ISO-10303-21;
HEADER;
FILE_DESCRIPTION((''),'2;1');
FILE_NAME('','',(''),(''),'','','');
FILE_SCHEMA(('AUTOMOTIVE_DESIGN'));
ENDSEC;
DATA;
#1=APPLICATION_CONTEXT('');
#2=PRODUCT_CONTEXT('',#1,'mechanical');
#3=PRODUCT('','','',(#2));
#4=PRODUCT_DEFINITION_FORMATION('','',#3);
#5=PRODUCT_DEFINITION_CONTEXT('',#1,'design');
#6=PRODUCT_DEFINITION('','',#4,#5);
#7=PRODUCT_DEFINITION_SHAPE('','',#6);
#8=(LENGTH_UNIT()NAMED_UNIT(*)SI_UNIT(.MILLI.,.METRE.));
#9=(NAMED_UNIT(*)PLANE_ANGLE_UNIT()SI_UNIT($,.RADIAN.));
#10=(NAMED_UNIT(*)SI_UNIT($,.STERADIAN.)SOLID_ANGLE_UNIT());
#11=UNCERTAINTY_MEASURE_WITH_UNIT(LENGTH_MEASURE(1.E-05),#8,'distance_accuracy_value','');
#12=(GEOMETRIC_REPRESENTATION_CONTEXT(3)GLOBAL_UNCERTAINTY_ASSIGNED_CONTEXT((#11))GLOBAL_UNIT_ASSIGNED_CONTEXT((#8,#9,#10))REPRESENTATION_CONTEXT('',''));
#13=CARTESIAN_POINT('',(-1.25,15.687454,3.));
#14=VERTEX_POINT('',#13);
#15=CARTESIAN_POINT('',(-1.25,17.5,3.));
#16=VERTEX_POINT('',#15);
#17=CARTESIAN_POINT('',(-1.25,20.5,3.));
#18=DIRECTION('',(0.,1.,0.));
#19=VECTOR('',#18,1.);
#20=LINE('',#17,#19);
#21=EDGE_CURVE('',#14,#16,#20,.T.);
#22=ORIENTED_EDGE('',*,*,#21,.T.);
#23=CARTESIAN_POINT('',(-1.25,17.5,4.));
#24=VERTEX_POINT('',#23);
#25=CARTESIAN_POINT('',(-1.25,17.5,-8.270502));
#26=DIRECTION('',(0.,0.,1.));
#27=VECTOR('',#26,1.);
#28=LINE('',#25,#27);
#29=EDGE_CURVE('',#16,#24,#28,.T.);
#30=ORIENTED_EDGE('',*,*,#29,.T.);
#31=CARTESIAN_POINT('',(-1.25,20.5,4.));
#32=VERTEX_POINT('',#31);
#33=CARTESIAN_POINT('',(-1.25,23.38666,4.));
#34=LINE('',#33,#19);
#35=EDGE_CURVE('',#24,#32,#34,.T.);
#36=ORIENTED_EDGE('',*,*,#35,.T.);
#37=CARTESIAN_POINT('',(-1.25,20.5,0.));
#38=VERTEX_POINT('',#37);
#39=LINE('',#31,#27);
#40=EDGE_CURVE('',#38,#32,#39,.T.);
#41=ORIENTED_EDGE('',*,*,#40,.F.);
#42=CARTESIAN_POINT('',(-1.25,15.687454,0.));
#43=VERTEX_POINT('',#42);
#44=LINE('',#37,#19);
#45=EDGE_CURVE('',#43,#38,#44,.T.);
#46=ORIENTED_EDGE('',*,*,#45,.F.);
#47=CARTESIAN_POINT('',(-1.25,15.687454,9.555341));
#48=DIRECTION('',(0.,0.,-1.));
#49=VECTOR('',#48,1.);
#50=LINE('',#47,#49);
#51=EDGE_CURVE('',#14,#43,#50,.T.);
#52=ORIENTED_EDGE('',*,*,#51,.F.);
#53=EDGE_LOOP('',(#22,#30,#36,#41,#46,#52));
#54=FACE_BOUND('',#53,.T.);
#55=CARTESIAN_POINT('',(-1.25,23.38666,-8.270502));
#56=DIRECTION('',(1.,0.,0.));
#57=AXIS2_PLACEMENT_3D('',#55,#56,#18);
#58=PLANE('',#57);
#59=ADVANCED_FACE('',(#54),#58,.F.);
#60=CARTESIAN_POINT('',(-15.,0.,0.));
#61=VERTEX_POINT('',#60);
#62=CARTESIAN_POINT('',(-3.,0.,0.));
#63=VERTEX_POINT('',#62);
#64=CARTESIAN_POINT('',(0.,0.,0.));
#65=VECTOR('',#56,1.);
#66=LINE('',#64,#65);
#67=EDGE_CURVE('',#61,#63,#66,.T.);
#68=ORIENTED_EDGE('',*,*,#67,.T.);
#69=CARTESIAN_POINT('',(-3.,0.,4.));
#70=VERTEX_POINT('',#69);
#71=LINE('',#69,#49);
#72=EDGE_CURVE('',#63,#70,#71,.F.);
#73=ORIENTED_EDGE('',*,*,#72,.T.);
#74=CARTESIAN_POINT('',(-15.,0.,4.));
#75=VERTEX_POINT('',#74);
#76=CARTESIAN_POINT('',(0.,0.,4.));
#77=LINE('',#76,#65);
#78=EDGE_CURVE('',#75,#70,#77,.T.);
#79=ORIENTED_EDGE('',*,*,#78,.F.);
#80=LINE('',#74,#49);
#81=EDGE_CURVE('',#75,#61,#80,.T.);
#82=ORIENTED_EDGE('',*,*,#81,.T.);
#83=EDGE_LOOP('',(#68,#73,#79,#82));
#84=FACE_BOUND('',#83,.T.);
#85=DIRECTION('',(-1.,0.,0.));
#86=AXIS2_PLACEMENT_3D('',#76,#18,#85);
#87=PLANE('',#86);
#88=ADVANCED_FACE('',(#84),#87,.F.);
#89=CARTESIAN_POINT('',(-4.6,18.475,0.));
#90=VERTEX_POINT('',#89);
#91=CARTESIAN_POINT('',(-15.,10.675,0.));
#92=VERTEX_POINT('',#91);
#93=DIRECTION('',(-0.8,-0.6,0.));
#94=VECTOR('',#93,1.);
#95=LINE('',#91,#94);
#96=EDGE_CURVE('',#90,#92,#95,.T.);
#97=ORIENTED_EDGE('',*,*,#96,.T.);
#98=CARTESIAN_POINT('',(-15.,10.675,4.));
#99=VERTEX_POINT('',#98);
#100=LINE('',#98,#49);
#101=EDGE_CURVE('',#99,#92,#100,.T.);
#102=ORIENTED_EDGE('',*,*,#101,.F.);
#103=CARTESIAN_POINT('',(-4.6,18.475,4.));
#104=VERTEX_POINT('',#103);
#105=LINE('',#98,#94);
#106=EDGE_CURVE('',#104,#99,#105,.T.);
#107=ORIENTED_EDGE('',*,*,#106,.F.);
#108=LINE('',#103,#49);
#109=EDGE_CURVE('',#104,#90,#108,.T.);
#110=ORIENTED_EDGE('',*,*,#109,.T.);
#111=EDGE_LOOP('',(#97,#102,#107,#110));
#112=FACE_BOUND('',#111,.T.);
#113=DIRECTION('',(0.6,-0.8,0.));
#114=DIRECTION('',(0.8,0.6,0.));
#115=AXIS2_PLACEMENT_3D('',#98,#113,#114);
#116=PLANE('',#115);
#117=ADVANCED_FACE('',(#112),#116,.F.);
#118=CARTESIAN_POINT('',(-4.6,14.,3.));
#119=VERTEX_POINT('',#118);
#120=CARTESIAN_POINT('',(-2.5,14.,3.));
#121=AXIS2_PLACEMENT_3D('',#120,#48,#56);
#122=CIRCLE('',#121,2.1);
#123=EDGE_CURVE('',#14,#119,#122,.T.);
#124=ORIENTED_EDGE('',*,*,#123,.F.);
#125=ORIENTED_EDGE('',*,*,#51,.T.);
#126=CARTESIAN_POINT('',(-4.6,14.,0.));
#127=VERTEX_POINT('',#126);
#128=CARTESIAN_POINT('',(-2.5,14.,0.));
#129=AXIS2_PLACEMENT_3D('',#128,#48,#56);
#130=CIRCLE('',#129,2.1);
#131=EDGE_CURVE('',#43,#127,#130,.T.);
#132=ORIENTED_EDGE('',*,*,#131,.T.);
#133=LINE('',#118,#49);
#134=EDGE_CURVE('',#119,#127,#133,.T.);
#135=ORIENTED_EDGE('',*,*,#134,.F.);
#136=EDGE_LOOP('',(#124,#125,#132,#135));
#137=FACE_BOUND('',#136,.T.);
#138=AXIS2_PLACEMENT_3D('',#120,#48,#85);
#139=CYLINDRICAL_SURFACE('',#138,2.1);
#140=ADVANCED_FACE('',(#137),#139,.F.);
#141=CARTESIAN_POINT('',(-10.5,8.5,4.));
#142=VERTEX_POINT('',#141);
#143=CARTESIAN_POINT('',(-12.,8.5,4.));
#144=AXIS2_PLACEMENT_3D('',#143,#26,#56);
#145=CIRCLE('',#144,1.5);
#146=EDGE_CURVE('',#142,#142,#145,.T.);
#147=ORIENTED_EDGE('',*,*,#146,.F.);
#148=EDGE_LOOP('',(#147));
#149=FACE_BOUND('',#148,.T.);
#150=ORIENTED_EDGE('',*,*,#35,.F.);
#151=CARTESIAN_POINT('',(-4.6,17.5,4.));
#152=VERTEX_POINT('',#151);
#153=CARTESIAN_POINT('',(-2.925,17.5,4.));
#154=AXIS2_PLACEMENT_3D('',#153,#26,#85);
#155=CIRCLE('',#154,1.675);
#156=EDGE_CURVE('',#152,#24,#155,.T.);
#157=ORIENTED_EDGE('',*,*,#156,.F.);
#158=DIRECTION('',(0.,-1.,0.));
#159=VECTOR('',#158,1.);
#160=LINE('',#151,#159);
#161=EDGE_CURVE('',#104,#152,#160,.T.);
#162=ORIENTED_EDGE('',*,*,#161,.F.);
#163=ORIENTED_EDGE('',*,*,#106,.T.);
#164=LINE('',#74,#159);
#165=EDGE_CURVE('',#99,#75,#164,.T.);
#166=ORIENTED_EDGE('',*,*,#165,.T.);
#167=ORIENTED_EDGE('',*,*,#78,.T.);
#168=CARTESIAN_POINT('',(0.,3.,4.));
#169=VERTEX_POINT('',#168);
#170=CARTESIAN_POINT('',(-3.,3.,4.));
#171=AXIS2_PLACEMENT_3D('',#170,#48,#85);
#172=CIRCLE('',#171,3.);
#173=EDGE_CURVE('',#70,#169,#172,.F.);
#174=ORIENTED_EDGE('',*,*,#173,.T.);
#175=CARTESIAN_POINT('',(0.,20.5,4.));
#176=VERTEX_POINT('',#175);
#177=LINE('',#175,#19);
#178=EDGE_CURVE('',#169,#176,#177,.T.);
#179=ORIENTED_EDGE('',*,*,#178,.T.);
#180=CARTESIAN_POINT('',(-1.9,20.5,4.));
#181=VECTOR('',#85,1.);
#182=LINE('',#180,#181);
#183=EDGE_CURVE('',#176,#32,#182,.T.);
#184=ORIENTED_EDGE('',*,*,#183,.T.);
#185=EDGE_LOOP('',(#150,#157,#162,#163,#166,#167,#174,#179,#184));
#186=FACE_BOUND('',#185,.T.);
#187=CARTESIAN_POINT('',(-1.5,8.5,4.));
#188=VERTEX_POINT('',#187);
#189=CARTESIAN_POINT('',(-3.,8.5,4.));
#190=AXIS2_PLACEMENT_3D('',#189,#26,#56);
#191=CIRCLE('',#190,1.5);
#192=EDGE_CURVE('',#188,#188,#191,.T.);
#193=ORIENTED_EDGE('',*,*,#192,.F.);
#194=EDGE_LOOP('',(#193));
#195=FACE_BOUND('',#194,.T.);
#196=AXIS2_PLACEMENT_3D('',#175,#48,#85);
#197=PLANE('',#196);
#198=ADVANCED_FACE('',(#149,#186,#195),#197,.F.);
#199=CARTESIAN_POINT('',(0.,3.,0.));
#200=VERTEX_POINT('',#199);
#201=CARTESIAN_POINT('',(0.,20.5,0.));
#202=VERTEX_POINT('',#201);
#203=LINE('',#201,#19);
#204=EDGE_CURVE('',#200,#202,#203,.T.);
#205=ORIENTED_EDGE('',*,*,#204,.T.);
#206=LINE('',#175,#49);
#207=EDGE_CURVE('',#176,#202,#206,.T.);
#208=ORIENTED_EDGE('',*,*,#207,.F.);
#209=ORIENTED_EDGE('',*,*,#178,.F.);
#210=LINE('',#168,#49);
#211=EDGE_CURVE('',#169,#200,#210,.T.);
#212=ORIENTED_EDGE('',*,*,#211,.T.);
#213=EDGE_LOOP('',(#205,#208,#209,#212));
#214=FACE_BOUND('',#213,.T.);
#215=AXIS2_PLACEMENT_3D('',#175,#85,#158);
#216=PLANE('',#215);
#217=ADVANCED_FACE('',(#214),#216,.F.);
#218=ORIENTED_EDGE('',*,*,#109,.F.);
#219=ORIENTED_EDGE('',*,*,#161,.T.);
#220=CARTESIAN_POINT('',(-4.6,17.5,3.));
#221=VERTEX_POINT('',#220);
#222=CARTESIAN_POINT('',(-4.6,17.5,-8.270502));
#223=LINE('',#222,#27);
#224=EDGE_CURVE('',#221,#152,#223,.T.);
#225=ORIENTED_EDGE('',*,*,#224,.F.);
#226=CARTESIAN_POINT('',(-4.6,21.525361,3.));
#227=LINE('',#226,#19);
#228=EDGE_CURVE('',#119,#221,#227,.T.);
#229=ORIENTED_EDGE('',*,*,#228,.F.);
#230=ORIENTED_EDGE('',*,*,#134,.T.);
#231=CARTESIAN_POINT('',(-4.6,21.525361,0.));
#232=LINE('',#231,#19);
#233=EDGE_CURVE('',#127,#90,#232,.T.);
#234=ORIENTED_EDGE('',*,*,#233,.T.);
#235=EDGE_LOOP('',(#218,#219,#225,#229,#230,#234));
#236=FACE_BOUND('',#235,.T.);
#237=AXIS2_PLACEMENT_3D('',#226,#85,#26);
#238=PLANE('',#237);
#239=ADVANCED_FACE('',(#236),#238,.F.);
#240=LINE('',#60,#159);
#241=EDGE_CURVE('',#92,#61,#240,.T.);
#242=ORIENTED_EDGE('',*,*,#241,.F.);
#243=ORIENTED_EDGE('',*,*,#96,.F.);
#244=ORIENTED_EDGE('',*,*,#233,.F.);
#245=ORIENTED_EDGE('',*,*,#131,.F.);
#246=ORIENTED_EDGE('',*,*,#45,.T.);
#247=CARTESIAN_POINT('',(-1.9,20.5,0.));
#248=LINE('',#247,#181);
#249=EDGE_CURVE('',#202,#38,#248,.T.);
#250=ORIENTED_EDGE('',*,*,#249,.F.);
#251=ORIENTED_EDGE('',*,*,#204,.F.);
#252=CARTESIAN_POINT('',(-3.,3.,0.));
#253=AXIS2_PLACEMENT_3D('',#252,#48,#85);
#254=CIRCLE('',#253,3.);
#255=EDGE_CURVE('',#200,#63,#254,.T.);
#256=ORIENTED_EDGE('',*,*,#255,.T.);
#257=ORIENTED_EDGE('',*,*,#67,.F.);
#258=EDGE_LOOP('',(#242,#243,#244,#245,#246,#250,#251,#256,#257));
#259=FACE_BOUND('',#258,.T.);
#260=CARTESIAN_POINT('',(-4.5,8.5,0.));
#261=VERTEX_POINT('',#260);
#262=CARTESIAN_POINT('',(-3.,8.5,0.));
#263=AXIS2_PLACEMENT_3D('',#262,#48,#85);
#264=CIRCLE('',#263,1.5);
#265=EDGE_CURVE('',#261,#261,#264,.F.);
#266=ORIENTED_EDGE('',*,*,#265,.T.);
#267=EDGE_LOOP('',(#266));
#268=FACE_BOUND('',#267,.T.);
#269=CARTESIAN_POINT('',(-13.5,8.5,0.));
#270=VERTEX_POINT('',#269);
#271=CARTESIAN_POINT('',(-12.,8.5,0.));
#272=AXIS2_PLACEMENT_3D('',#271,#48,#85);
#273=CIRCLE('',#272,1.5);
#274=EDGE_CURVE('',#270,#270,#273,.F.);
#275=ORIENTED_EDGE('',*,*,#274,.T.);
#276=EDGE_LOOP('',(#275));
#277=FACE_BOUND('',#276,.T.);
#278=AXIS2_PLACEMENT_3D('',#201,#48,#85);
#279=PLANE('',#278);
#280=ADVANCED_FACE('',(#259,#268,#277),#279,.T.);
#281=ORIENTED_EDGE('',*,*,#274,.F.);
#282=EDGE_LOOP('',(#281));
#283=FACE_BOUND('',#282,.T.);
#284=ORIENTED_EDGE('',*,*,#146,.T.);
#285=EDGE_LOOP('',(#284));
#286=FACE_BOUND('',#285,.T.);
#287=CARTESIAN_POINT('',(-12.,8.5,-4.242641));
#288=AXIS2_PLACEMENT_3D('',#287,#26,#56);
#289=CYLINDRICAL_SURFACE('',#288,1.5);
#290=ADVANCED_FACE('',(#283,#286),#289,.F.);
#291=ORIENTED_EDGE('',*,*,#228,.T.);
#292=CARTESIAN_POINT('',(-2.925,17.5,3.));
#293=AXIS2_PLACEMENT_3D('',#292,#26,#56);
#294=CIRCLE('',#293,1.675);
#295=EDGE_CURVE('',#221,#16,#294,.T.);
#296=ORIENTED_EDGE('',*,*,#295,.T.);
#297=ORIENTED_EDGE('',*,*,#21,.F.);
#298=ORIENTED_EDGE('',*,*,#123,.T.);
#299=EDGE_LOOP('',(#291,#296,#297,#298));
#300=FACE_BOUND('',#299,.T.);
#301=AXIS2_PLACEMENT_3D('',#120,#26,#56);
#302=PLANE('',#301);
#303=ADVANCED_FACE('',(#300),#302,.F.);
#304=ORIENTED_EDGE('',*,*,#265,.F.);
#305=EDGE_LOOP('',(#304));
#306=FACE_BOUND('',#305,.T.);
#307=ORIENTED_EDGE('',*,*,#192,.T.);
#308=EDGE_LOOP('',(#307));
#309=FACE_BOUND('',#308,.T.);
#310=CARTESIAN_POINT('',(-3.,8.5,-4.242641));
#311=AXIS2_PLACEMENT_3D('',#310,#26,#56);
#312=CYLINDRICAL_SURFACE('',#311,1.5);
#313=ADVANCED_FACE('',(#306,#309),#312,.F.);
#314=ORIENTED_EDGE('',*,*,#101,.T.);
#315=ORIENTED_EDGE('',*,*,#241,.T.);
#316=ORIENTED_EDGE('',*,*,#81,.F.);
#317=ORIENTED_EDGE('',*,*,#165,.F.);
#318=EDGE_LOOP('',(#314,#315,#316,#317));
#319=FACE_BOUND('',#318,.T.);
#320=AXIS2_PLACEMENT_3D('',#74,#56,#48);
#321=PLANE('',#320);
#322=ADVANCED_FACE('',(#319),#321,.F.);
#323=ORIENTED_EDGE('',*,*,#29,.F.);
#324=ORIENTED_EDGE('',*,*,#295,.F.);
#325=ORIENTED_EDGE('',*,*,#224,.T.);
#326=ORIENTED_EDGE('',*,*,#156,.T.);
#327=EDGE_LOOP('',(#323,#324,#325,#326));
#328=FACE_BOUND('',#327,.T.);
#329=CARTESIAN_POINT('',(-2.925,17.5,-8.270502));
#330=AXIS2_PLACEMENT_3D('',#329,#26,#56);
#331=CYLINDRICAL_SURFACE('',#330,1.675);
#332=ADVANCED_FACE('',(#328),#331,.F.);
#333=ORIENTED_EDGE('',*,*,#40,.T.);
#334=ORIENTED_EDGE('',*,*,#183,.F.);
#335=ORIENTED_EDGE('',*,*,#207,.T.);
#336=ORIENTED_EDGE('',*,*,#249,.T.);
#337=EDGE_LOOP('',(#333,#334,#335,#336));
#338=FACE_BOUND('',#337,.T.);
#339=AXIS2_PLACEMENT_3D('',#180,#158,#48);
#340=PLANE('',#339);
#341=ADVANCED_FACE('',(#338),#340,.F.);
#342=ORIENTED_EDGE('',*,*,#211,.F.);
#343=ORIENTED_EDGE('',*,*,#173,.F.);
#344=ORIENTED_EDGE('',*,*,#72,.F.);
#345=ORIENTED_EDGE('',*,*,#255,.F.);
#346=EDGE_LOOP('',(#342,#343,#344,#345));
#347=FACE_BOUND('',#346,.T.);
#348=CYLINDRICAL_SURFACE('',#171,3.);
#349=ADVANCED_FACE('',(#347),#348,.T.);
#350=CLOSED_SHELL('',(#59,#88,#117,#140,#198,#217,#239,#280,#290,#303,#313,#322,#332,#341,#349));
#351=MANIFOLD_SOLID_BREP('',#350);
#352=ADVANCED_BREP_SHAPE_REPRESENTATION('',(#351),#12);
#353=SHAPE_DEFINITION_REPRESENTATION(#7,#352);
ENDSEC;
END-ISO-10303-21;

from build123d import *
from build123d.topology import SkipClean

# Parameters (mm, degrees)
EXTRUDE1_DEPTH = 4
EXTRUDE2_DEPTH = 3
SKETCH4_R      = 1.5
EXTRUDE3_DEPTH = 4
FILLET3_R      = 3
EXTRUDE4_DEPTH = 4
EXTRUDE6_DEPTH = 3


with BuildPart() as part:
    # Sketch1 → Extrude1 (new body)
    with BuildSketch(Plane.XY):
        Polygon((0, 20.5), (0, 0), (-15, 0), (-15, 10.675), (-1.9, 20.5), align=None)
    extrude(amount=EXTRUDE1_DEPTH)

    # Sketch2 → Extrude2 (cut)
    with BuildSketch(Plane(origin=(0, 0, 0), x_dir=(-1, 0, 0), z_dir=(0, 0, -1))):
        with BuildLine():
            Line((0.4, 14), (0.4, 21.525360588))
            Line((0.4, 21.525360588), (4.6, 21.525360588))
            Line((4.6, 21.525360588), (4.6, 14))
            ThreePointArc((4.6, 14), (2.5, 11.9), (0.4, 14))
        make_face()
    extrude(amount=-EXTRUDE2_DEPTH, mode=Mode.SUBTRACT)

    # Sketch4 → Extrude3 (cut)
    with BuildSketch(Plane.XY.offset(4)):
        with Locations((-3, 8.5)):
            Circle(SKETCH4_R)
        with Locations((-12, 8.5)):
            Circle(SKETCH4_R)
    extrude(amount=-EXTRUDE3_DEPTH, mode=Mode.SUBTRACT)

    # Fillet3
    fillet3_edges = [part.edges().sort_by_distance(p)[0] for p in [
        (0, 0, 2),
    ]]
    fillet(fillet3_edges, radius=FILLET3_R)

    # Sketch5 → Extrude4 (cut)
    with BuildSketch(Plane.XY.offset(4)):
        with BuildLine():
            Line((-1.25, 23.386660478), (-1.25, 17.5))
            ThreePointArc((-1.25, 17.5), (-2.925, 15.825), (-4.6, 17.5))
            Line((-4.6, 17.5), (-4.6, 23.386660478))
            Line((-4.6, 23.386660478), (-1.25, 23.386660478))
        make_face()
    extrude(amount=-EXTRUDE4_DEPTH, mode=Mode.SUBTRACT)

    # Sketch8 → Extrude6 (add)
    with SkipClean():  # the faces are left unmerged after this step: merging them gives an invalid solid
        with BuildSketch(Plane(origin=(0, 0, 0), x_dir=(-1, 0, 0), z_dir=(0, 0, -1))):
            with BuildLine():
                Line((0.4, 20.5), (1.25, 20.5))
                Line((1.25, 20.5), (1.25, 15.687453703))
                ThreePointArc((1.25, 15.687453703), (0.624500067, 14.944722181), (0.4, 14))
                Line((0.4, 14), (0.4, 20.5))
            make_face()
        extrude(amount=-EXTRUDE6_DEPTH)


solid = part.part
